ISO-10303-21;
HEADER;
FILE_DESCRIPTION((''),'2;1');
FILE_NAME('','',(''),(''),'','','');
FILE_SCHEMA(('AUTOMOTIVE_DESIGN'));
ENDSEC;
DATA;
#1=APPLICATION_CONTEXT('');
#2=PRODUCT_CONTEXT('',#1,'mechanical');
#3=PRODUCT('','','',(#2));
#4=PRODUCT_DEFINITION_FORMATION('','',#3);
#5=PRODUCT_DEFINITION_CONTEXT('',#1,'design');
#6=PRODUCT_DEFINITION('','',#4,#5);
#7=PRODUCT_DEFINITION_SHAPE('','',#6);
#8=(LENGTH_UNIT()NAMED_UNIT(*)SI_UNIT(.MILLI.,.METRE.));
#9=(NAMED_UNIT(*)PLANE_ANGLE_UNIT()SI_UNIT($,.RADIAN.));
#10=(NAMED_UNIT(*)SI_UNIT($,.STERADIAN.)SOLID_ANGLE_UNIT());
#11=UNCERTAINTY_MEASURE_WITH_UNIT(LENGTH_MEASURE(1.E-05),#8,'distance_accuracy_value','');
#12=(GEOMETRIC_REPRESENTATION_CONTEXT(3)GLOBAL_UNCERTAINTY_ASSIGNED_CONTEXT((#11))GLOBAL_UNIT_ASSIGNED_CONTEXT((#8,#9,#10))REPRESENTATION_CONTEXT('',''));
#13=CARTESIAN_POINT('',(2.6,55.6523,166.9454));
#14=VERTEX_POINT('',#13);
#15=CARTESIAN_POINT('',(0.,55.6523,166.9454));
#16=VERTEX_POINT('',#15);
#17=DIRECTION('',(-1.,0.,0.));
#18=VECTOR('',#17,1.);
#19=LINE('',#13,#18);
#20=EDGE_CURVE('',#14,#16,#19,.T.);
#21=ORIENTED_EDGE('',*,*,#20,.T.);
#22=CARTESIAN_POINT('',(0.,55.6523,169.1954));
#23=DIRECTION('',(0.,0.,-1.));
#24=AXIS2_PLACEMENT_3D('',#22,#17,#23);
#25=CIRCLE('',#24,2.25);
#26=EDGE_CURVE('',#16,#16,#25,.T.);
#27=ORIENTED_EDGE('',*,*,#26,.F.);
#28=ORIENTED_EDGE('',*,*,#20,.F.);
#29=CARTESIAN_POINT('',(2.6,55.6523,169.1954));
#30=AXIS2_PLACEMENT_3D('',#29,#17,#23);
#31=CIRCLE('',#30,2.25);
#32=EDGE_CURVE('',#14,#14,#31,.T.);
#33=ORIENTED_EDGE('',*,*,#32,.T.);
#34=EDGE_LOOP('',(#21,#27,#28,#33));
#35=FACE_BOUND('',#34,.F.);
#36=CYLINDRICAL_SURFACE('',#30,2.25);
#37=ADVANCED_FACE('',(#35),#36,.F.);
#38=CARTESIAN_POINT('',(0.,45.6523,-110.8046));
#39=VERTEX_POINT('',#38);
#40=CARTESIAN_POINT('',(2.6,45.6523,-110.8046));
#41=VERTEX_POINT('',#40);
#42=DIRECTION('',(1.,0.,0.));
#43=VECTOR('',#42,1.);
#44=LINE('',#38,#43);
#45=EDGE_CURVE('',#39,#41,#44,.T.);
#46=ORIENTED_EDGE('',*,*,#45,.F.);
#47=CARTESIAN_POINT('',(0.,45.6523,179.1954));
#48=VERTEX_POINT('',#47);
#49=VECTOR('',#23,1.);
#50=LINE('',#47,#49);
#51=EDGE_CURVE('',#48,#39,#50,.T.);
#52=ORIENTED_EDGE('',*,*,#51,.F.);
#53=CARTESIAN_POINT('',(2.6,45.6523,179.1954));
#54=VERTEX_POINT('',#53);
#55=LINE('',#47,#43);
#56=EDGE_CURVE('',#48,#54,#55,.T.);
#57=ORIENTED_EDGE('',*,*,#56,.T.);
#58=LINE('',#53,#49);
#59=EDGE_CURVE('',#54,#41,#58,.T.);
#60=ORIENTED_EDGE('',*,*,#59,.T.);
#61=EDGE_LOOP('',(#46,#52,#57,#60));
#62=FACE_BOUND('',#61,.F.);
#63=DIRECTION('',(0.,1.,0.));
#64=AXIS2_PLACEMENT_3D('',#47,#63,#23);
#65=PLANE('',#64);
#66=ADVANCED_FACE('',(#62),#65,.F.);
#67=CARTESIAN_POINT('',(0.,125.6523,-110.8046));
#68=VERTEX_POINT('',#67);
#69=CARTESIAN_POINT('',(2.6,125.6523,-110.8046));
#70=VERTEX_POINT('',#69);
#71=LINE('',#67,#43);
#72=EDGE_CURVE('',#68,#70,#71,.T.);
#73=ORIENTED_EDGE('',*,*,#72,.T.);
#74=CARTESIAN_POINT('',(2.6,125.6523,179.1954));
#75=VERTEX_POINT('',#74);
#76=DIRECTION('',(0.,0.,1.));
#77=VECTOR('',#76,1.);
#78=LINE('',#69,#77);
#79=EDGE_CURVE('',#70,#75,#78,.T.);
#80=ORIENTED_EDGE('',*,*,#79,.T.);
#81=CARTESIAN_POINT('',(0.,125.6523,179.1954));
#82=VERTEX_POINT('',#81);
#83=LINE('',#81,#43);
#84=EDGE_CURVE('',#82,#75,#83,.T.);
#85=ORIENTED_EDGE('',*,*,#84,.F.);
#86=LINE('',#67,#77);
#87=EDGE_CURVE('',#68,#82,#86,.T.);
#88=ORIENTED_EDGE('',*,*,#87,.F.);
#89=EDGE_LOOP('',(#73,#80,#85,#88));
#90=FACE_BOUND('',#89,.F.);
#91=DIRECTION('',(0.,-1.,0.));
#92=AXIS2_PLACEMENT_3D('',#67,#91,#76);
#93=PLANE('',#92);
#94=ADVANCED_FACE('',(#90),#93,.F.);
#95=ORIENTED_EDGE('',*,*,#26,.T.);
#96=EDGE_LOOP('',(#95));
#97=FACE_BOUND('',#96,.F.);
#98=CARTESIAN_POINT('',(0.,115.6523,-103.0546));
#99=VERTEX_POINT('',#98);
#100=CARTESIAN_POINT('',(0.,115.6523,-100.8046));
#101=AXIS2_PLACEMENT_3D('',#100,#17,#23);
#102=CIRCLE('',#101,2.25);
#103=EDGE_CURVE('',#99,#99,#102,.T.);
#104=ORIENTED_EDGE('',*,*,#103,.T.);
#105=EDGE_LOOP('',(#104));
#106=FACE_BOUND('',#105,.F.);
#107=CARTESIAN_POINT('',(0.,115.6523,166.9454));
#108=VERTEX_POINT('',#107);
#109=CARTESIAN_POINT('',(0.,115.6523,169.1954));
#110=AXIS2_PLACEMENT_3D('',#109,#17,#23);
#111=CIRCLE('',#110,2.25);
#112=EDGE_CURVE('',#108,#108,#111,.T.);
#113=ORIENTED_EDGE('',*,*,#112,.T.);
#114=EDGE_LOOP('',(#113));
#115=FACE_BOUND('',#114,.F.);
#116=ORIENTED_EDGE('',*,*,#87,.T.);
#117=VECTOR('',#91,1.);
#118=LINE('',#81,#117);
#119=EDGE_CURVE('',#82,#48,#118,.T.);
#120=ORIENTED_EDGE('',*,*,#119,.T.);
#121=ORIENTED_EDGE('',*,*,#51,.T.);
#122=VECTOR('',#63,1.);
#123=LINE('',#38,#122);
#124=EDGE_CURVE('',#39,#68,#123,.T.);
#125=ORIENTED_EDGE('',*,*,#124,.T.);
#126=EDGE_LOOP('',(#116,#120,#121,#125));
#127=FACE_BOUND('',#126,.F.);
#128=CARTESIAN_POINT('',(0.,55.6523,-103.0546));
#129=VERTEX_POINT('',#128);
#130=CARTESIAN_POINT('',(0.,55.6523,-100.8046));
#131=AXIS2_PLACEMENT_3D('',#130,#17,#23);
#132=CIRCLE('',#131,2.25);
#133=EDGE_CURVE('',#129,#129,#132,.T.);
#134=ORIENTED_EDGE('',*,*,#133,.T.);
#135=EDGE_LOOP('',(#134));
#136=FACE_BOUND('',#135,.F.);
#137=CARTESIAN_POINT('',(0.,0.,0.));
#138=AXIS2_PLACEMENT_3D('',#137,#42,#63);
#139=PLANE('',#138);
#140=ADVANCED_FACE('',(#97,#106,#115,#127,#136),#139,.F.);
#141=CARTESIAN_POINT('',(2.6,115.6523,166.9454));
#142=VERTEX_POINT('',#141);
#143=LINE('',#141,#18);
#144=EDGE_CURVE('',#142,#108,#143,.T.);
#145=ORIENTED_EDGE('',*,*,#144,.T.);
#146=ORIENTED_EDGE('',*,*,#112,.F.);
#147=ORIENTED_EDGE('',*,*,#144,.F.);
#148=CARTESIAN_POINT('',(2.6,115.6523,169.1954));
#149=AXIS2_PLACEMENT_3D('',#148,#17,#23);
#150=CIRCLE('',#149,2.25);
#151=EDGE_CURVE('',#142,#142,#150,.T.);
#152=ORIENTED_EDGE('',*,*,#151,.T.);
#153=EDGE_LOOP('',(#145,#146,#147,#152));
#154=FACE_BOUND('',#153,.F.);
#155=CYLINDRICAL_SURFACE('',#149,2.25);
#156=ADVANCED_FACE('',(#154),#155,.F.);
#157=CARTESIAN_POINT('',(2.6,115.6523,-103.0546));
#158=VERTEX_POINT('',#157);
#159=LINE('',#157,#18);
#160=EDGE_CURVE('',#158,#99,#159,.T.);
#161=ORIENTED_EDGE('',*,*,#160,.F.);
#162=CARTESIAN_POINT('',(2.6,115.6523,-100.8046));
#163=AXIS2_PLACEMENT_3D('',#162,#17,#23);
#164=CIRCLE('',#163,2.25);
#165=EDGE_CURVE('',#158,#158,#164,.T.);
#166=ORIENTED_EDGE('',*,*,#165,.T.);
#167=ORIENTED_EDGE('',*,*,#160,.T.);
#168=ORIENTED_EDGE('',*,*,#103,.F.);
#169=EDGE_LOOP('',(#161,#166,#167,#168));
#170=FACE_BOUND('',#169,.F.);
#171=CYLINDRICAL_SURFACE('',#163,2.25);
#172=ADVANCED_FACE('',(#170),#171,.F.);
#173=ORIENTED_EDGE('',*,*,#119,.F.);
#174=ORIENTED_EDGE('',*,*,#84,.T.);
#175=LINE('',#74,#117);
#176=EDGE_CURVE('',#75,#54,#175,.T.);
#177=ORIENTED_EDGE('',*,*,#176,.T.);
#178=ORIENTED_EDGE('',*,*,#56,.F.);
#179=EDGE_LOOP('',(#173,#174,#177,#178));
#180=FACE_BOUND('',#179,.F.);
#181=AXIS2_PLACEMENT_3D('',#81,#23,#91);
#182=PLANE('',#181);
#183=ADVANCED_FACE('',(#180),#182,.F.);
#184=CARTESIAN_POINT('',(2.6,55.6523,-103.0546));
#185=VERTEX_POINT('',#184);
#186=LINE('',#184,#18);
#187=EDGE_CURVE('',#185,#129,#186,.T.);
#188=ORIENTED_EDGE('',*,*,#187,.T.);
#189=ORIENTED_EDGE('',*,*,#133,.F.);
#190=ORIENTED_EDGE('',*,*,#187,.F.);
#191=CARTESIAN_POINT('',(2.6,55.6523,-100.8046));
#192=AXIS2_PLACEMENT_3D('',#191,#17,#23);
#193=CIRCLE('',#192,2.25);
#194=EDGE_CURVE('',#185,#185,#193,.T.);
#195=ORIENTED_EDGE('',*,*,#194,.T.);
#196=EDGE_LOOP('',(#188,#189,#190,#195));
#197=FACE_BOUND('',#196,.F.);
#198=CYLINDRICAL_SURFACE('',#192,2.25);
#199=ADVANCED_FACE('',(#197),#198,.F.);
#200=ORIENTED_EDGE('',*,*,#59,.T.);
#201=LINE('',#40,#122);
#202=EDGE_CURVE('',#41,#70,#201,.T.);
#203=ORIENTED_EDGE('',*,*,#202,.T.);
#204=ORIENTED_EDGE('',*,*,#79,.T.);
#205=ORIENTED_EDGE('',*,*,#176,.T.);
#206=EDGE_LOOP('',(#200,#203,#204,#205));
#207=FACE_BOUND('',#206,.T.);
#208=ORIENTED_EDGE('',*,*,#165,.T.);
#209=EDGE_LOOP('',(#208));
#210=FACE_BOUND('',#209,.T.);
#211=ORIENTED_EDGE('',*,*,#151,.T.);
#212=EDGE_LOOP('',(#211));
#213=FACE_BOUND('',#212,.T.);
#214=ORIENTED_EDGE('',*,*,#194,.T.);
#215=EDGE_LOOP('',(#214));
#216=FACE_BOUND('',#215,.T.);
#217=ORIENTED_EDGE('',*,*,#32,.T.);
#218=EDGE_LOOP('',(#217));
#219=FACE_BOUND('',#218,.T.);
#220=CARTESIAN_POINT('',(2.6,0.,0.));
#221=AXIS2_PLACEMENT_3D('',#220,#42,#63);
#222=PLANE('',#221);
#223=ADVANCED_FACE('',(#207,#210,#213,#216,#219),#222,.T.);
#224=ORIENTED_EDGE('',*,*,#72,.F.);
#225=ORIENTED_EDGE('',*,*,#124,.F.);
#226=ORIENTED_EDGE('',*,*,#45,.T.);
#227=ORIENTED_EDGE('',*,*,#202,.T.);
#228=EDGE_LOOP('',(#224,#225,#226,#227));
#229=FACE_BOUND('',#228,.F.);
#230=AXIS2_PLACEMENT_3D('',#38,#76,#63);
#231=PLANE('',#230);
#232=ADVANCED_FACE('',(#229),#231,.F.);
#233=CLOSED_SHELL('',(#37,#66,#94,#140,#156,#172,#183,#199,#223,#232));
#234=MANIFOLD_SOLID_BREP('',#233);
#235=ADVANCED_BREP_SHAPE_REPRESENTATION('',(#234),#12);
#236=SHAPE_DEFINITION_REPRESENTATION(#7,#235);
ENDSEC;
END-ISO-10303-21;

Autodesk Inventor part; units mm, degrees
ref_plane "YZ Plane" through (0, 0, 0) normal (1, 0, 0) x (0, 1, 0)
ref_plane "XZ Plane" through (0, 0, 0) normal (0, 1, 0) x (-1, 0, 0)
ref_plane "XY Plane" through (0, 0, 0) normal (0, 0, 1) x (1, 0, 0)
sketch "スケッチ1" plane through (0, 0, 0) normal (1, 0, 0) x (0, 1, 0)
  line L0 (125.6523, 179.1954) -> (45.6523, 179.1954)
  line L1 (45.6523, 179.1954) -> (45.6523, -110.8046)
  line L2 (45.6523, -110.8046) -> (125.6523, -110.8046)
  line L3 (125.6523, -110.8046) -> (125.6523, 179.1954)
  point P0 (0, 0)
  dimension "d0" = 80
  dimension "d1" = 290
extrude "押し出し1" add sketch "スケッチ1" along normal blind 2.6
sketch "スケッチ2" plane through (2.6, 0, 0) normal (1, 0, 0) x (0, 0, -1)
  line L0 (-179.1954, 125.6523) -> (-179.1954, 45.6523) projected
  line L1 (-179.1954, 45.6523) -> (110.8046, 45.6523) projected
  line L2 (110.8046, 45.6523) -> (110.8046, 125.6523) projected
  line L3 (110.8046, 125.6523) -> (-179.1954, 125.6523) projected
  line L4 (-34.1954, 85.6523) -> (-34.1954, 125.6523)
  line L5 (110.8046, 125.6523) -> (-179.1954, 125.6523) projected
  line L6 (-34.1954, 85.6523) -> (110.8046, 85.6523)
  point P0 (0, 0)
  point P1 (-169.1954, 115.6523)
  point P2 (100.8046, 115.6523)
  point P3 (-169.1954, 55.6523)
  point P4 (100.8046, 55.6523)
  dimension "d4" = 10
  dimension "d5" = 10
hole "穴1" at (2.6, 115.6523, 169.1954) at (2.6, 115.6523, -100.8046) at (2.6, 55.6523, 169.1954) at (2.6, 55.6523, -100.8046) direction (-1, 0, 0) diameter 4.5 depth 10 tip angle 118
properties part number "lc_box_side" material "ポリカーボネート、クリア"
